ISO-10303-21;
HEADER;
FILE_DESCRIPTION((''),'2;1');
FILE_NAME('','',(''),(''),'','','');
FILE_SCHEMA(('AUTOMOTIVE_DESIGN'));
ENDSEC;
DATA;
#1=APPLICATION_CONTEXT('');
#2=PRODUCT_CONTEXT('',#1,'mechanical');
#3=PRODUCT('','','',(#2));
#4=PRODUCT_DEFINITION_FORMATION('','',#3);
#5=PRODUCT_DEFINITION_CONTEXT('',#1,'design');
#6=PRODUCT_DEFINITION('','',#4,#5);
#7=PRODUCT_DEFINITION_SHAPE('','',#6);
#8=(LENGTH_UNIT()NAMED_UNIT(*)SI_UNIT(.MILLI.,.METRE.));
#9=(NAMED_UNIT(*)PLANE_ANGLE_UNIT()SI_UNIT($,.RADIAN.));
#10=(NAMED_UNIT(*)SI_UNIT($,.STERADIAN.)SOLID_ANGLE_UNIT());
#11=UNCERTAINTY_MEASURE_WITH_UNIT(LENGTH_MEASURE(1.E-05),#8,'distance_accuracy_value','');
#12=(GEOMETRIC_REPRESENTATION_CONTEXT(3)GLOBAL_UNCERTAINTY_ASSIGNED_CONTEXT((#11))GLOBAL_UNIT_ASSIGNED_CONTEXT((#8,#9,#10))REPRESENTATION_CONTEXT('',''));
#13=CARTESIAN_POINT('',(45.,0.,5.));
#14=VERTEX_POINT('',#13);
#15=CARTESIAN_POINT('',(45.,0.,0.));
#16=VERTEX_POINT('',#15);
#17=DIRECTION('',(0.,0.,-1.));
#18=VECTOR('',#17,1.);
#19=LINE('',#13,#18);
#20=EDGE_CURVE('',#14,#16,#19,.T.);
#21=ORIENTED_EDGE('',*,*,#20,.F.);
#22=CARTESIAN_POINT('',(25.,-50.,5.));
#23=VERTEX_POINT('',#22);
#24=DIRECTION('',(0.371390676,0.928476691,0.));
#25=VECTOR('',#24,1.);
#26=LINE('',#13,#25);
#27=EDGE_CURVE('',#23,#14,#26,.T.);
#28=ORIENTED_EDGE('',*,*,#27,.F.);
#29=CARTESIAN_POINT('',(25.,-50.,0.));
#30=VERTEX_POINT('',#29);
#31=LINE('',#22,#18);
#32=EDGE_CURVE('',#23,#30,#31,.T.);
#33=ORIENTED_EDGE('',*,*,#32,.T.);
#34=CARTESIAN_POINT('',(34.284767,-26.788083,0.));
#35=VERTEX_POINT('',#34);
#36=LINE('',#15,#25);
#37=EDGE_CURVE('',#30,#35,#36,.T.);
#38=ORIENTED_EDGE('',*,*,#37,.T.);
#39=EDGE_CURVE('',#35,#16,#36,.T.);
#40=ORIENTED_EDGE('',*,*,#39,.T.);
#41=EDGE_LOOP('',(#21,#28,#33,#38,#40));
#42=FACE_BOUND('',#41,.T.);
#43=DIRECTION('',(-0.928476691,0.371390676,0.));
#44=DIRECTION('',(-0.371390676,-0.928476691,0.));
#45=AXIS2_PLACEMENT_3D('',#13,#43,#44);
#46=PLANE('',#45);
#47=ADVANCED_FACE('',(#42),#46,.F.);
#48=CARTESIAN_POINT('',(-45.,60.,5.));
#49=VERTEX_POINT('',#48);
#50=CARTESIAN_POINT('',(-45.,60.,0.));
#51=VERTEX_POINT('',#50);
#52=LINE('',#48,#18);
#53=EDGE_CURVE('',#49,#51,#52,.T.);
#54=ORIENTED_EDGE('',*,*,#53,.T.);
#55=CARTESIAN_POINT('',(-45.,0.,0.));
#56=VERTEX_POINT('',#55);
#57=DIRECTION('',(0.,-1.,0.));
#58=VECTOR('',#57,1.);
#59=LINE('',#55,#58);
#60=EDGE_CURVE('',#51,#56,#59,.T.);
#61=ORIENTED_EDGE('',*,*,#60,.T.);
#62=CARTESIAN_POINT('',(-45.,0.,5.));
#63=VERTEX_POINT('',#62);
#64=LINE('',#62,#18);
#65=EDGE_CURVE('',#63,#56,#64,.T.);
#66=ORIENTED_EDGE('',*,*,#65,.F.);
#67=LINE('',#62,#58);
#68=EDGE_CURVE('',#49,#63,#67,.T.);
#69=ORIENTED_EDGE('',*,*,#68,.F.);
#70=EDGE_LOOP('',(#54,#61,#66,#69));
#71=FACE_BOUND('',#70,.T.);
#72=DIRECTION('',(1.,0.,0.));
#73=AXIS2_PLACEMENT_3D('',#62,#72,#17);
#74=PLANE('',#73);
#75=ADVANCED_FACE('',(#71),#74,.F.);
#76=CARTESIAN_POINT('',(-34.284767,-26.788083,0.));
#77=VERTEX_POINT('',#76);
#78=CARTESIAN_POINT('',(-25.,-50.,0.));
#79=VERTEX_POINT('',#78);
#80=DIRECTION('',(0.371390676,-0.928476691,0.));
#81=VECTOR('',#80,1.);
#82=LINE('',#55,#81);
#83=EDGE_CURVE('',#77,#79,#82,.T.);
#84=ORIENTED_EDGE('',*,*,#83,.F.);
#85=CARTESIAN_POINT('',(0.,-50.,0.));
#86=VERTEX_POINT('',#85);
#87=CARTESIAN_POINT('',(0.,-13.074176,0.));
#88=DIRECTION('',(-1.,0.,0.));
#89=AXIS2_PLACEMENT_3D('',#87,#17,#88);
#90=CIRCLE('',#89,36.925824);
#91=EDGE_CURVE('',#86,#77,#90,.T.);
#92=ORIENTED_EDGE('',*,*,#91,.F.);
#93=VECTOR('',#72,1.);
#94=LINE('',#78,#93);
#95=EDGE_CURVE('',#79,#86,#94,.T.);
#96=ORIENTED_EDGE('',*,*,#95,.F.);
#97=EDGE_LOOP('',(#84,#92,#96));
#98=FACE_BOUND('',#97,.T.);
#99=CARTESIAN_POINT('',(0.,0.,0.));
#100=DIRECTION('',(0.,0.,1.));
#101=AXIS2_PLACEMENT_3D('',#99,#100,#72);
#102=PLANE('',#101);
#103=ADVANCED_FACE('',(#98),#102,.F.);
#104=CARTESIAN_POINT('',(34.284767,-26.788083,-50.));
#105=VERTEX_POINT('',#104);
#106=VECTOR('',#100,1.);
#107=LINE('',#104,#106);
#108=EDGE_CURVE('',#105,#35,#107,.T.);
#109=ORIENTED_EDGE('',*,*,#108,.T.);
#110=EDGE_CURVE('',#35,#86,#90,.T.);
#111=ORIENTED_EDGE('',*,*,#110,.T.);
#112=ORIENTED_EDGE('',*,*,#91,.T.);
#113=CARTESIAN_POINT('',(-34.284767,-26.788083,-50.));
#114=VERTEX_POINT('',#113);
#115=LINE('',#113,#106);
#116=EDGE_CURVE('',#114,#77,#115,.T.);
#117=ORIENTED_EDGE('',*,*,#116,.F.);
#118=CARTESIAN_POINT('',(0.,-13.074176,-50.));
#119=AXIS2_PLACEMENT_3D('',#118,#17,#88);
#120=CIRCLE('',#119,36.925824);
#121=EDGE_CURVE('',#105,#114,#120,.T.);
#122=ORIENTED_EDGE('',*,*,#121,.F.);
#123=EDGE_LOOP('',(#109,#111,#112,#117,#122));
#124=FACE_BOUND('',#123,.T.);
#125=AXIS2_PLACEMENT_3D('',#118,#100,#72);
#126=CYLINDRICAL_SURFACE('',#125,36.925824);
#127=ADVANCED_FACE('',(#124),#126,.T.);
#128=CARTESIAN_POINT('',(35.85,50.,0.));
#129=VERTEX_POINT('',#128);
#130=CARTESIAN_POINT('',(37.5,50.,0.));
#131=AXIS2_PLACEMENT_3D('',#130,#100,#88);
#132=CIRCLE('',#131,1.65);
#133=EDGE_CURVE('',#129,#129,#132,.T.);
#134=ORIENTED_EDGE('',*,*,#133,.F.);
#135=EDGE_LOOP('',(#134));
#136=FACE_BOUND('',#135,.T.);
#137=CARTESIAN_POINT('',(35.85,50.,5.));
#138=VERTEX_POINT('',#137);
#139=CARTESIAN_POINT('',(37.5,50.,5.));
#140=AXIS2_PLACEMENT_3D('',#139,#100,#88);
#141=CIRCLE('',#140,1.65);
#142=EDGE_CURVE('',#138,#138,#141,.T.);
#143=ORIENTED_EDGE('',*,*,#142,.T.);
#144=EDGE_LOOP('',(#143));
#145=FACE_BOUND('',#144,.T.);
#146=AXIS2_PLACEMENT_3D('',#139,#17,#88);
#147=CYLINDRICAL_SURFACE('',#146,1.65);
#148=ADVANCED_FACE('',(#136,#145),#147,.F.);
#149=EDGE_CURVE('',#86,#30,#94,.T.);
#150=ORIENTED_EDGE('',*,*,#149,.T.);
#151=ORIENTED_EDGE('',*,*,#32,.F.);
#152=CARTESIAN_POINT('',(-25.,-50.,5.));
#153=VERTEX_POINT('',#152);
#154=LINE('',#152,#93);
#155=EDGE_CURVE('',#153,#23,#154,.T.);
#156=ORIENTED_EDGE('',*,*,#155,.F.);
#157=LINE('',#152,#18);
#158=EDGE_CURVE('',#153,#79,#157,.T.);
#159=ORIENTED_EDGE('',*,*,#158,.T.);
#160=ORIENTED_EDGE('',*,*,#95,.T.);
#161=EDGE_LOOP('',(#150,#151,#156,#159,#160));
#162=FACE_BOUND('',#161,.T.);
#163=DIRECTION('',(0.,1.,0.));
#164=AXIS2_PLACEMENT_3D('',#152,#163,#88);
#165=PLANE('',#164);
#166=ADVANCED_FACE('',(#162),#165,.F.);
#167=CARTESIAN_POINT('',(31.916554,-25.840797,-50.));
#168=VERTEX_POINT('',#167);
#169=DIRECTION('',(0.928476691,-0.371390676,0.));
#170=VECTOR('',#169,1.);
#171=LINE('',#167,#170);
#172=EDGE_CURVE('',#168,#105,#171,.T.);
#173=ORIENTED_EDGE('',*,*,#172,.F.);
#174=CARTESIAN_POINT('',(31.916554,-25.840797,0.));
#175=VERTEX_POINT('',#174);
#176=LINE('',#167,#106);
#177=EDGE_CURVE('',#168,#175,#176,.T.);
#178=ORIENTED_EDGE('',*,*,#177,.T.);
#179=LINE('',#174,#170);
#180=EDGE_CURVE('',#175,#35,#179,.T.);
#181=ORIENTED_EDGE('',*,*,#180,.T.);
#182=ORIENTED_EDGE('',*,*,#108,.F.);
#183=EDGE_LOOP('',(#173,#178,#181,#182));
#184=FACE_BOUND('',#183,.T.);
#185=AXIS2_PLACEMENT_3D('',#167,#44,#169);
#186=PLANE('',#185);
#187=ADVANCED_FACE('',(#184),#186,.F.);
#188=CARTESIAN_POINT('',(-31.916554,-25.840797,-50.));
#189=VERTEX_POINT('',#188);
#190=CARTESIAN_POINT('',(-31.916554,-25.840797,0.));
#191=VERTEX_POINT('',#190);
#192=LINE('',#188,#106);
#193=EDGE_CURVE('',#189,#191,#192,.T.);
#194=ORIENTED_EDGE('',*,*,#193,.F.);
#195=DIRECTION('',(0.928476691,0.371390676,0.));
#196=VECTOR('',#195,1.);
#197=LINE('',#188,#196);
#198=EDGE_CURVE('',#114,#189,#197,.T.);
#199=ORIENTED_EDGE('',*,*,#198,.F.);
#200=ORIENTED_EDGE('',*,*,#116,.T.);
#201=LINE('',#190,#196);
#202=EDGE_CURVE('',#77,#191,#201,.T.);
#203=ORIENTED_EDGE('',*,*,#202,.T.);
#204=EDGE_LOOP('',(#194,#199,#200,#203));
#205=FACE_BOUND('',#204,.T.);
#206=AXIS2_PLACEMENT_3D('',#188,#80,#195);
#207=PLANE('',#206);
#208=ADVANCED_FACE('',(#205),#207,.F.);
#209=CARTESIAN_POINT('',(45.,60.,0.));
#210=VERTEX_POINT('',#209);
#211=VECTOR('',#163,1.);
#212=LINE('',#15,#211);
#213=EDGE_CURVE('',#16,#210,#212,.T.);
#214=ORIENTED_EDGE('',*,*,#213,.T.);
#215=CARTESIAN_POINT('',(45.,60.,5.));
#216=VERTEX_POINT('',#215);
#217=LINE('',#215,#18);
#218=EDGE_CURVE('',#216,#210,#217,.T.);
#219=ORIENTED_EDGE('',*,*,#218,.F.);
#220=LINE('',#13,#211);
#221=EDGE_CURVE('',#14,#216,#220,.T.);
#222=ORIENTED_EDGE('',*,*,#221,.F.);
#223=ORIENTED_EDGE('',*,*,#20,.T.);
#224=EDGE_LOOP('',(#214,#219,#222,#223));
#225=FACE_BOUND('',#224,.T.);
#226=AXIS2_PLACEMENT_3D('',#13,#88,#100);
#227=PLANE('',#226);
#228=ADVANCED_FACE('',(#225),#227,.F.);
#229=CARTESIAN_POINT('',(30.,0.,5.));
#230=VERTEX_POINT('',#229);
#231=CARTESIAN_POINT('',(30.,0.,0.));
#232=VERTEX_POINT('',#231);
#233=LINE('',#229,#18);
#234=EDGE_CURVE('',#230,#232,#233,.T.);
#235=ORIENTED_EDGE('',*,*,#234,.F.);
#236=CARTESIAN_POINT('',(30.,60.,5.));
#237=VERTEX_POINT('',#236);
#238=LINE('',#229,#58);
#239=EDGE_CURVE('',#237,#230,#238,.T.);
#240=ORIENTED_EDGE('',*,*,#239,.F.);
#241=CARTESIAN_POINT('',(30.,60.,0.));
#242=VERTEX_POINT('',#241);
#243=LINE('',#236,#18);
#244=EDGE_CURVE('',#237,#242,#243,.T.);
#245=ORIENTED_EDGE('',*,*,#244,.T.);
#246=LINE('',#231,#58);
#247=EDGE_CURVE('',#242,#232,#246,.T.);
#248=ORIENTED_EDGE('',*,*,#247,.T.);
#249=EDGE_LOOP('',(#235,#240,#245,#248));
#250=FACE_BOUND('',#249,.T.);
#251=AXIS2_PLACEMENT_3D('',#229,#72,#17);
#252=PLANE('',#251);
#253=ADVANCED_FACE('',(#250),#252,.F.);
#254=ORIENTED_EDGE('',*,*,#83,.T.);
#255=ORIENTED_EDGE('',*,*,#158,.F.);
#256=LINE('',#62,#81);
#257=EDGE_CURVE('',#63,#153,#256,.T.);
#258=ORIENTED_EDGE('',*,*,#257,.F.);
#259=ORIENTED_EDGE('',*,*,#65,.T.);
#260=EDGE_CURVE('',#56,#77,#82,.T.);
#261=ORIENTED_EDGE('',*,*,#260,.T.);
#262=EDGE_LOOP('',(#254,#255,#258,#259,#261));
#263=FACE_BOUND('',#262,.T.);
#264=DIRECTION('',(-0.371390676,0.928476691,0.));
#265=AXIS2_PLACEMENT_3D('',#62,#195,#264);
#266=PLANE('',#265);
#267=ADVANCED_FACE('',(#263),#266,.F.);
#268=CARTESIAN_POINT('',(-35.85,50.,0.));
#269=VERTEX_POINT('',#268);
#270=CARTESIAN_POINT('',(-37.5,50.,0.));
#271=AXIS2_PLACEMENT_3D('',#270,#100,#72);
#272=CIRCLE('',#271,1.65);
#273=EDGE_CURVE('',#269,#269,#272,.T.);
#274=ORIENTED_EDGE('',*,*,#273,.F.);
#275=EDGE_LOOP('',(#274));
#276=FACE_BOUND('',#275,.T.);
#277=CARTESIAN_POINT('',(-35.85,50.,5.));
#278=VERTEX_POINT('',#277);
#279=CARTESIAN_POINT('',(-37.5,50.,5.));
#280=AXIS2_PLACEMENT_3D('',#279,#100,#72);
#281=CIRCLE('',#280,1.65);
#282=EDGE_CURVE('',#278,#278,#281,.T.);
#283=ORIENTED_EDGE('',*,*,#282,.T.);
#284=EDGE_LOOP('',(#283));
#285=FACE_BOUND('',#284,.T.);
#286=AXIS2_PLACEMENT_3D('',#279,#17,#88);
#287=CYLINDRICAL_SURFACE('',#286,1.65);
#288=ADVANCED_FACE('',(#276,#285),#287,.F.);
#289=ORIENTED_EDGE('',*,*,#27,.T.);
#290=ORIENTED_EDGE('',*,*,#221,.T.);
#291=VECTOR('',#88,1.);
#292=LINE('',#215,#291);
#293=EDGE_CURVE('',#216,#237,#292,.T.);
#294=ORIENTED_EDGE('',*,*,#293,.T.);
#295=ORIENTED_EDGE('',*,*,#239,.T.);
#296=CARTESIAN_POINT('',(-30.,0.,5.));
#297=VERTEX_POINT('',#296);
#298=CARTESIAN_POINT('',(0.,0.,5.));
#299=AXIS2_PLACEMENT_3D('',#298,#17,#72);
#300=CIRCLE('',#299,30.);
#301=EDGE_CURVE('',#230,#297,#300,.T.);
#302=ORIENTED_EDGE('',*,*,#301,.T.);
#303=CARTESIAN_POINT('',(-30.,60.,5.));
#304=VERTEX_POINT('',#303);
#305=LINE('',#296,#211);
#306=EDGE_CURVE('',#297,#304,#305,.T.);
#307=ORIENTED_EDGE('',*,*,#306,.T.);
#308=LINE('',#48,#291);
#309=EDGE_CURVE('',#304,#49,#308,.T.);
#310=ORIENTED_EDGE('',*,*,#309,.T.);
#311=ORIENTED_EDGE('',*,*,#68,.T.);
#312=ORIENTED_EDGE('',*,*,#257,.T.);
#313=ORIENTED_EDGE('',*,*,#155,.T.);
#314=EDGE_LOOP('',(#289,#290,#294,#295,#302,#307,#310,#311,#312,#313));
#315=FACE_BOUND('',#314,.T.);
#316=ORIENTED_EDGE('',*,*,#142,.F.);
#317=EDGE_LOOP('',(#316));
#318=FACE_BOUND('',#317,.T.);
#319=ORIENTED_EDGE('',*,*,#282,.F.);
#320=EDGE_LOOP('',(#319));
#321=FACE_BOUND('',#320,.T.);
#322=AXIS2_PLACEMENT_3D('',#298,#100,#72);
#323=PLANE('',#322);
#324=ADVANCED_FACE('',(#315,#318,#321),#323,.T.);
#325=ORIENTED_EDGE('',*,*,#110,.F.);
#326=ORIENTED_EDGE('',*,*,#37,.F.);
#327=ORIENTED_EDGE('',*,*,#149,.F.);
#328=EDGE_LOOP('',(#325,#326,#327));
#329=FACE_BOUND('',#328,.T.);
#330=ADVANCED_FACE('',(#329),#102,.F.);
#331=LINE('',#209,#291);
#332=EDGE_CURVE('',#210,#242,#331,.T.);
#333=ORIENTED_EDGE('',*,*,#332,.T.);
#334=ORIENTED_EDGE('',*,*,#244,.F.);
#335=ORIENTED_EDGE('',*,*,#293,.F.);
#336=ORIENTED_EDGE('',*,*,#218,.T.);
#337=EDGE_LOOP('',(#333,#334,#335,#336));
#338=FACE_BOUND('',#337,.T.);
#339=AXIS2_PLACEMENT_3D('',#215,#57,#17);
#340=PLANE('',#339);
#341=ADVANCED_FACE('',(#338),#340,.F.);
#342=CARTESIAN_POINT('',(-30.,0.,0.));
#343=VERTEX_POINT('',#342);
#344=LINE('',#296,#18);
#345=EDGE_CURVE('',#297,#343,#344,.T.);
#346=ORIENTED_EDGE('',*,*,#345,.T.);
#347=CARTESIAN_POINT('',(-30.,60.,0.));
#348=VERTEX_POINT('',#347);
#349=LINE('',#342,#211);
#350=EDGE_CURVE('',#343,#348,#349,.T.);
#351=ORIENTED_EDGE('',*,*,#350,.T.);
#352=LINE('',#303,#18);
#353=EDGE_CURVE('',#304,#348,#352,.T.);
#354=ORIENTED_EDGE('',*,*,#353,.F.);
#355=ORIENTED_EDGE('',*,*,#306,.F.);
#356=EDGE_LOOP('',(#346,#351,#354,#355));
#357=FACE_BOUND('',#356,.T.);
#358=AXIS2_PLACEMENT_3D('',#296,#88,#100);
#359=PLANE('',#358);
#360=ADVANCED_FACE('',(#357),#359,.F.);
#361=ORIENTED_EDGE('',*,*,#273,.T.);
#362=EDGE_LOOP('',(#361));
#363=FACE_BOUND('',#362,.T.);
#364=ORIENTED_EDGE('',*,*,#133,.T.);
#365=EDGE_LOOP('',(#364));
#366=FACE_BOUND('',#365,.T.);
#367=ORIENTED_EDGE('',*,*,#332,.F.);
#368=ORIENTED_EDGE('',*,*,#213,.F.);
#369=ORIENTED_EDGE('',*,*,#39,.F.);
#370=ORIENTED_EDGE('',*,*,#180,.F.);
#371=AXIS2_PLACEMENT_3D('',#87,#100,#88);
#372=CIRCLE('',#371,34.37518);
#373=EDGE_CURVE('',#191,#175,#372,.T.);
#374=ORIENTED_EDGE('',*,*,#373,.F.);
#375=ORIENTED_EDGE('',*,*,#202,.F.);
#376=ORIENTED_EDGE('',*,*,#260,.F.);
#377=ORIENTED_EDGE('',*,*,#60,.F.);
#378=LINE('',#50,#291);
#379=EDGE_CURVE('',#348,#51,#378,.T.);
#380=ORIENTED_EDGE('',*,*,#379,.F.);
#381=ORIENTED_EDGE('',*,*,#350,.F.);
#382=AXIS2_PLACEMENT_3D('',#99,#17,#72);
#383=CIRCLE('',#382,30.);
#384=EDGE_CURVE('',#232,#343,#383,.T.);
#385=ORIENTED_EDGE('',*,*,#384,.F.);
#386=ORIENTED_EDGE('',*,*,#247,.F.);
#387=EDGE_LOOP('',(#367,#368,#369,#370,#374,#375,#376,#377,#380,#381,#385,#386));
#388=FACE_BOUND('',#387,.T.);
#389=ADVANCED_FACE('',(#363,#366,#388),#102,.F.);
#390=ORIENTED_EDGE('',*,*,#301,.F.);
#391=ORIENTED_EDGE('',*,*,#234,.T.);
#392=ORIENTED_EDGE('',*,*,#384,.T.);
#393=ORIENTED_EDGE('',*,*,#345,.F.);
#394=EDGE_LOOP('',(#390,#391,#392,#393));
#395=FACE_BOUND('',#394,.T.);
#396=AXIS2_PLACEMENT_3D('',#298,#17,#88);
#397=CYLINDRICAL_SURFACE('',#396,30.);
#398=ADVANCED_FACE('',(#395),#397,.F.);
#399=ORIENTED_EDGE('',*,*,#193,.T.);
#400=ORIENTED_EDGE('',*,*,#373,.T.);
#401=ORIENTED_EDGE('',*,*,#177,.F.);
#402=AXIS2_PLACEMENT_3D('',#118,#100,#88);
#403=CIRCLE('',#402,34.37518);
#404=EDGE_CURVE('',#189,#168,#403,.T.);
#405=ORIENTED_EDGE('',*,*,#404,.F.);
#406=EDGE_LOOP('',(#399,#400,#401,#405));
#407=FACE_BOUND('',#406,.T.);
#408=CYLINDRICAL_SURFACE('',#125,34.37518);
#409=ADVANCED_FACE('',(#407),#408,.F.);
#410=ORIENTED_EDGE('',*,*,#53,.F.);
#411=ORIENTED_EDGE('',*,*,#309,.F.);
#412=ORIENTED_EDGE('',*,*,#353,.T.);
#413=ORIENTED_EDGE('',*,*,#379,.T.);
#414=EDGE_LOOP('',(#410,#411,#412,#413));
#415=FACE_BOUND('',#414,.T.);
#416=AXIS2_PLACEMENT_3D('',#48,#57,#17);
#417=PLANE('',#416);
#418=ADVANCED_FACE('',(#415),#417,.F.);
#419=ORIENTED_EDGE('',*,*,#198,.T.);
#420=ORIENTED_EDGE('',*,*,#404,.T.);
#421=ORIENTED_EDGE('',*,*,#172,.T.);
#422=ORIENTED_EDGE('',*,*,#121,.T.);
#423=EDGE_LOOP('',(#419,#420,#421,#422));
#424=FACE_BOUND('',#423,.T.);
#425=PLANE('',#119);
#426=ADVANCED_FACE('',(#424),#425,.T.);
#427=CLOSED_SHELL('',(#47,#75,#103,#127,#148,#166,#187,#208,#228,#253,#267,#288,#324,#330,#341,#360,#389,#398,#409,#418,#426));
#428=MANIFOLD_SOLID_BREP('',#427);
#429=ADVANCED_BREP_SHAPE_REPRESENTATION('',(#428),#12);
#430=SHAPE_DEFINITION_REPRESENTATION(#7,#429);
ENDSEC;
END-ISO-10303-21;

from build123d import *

# Parameters (mm, degrees)
SKETCH_1_R      = 1.65
EXTRUDE_1_DEPTH = 5
EXTRUDE_2_DEPTH = 50


with BuildPart() as part:
    # 스케치1 → 보스-돌출1 (new body)
    with BuildSketch(Plane.XY):
        with BuildLine():
            Line((-25, -50), (25, -50))
            Line((25, -50), (45, 0))
            Line((45, 0), (45, 60))
            Line((45, 60), (30, 60))
            Line((30, 60), (30, 0))
            ThreePointArc((30, 0), (0, -30), (-30, 0))
            Line((-30, 0), (-30, 60))
            Line((-30, 60), (-45, 60))
            Line((-45, 60), (-45, 0))
            Line((-45, 0), (-25, -50))
        make_face()
        with Locations((-37.5, 50)):
            Circle(SKETCH_1_R, mode=Mode.SUBTRACT)
        with Locations(Location((37.5, 50, 0), (0, 0, 180))):
            Circle(SKETCH_1_R, mode=Mode.SUBTRACT)
    extrude(amount=EXTRUDE_1_DEPTH)

    # 스케치4 → 보스-돌출2 (add)
    with BuildSketch(Plane(origin=(0, 0, 0), x_dir=(-1, 0, 0), z_dir=(0, 0, -1))):
        with BuildLine():
            Line((-31.916553531, -25.840797377), (-34.284766909, -26.788082728))
            ThreePointArc((-34.284766909, -26.788082728), (0, -50), (34.284766909, -26.788082728))
            Line((34.284766909, -26.788082728), (31.916553531, -25.840797377))
            ThreePointArc((31.916553531, -25.840797377), (0, -47.449356133), (-31.916553531, -25.840797377))
        make_face()
    extrude(amount=EXTRUDE_2_DEPTH)


solid = part.part
